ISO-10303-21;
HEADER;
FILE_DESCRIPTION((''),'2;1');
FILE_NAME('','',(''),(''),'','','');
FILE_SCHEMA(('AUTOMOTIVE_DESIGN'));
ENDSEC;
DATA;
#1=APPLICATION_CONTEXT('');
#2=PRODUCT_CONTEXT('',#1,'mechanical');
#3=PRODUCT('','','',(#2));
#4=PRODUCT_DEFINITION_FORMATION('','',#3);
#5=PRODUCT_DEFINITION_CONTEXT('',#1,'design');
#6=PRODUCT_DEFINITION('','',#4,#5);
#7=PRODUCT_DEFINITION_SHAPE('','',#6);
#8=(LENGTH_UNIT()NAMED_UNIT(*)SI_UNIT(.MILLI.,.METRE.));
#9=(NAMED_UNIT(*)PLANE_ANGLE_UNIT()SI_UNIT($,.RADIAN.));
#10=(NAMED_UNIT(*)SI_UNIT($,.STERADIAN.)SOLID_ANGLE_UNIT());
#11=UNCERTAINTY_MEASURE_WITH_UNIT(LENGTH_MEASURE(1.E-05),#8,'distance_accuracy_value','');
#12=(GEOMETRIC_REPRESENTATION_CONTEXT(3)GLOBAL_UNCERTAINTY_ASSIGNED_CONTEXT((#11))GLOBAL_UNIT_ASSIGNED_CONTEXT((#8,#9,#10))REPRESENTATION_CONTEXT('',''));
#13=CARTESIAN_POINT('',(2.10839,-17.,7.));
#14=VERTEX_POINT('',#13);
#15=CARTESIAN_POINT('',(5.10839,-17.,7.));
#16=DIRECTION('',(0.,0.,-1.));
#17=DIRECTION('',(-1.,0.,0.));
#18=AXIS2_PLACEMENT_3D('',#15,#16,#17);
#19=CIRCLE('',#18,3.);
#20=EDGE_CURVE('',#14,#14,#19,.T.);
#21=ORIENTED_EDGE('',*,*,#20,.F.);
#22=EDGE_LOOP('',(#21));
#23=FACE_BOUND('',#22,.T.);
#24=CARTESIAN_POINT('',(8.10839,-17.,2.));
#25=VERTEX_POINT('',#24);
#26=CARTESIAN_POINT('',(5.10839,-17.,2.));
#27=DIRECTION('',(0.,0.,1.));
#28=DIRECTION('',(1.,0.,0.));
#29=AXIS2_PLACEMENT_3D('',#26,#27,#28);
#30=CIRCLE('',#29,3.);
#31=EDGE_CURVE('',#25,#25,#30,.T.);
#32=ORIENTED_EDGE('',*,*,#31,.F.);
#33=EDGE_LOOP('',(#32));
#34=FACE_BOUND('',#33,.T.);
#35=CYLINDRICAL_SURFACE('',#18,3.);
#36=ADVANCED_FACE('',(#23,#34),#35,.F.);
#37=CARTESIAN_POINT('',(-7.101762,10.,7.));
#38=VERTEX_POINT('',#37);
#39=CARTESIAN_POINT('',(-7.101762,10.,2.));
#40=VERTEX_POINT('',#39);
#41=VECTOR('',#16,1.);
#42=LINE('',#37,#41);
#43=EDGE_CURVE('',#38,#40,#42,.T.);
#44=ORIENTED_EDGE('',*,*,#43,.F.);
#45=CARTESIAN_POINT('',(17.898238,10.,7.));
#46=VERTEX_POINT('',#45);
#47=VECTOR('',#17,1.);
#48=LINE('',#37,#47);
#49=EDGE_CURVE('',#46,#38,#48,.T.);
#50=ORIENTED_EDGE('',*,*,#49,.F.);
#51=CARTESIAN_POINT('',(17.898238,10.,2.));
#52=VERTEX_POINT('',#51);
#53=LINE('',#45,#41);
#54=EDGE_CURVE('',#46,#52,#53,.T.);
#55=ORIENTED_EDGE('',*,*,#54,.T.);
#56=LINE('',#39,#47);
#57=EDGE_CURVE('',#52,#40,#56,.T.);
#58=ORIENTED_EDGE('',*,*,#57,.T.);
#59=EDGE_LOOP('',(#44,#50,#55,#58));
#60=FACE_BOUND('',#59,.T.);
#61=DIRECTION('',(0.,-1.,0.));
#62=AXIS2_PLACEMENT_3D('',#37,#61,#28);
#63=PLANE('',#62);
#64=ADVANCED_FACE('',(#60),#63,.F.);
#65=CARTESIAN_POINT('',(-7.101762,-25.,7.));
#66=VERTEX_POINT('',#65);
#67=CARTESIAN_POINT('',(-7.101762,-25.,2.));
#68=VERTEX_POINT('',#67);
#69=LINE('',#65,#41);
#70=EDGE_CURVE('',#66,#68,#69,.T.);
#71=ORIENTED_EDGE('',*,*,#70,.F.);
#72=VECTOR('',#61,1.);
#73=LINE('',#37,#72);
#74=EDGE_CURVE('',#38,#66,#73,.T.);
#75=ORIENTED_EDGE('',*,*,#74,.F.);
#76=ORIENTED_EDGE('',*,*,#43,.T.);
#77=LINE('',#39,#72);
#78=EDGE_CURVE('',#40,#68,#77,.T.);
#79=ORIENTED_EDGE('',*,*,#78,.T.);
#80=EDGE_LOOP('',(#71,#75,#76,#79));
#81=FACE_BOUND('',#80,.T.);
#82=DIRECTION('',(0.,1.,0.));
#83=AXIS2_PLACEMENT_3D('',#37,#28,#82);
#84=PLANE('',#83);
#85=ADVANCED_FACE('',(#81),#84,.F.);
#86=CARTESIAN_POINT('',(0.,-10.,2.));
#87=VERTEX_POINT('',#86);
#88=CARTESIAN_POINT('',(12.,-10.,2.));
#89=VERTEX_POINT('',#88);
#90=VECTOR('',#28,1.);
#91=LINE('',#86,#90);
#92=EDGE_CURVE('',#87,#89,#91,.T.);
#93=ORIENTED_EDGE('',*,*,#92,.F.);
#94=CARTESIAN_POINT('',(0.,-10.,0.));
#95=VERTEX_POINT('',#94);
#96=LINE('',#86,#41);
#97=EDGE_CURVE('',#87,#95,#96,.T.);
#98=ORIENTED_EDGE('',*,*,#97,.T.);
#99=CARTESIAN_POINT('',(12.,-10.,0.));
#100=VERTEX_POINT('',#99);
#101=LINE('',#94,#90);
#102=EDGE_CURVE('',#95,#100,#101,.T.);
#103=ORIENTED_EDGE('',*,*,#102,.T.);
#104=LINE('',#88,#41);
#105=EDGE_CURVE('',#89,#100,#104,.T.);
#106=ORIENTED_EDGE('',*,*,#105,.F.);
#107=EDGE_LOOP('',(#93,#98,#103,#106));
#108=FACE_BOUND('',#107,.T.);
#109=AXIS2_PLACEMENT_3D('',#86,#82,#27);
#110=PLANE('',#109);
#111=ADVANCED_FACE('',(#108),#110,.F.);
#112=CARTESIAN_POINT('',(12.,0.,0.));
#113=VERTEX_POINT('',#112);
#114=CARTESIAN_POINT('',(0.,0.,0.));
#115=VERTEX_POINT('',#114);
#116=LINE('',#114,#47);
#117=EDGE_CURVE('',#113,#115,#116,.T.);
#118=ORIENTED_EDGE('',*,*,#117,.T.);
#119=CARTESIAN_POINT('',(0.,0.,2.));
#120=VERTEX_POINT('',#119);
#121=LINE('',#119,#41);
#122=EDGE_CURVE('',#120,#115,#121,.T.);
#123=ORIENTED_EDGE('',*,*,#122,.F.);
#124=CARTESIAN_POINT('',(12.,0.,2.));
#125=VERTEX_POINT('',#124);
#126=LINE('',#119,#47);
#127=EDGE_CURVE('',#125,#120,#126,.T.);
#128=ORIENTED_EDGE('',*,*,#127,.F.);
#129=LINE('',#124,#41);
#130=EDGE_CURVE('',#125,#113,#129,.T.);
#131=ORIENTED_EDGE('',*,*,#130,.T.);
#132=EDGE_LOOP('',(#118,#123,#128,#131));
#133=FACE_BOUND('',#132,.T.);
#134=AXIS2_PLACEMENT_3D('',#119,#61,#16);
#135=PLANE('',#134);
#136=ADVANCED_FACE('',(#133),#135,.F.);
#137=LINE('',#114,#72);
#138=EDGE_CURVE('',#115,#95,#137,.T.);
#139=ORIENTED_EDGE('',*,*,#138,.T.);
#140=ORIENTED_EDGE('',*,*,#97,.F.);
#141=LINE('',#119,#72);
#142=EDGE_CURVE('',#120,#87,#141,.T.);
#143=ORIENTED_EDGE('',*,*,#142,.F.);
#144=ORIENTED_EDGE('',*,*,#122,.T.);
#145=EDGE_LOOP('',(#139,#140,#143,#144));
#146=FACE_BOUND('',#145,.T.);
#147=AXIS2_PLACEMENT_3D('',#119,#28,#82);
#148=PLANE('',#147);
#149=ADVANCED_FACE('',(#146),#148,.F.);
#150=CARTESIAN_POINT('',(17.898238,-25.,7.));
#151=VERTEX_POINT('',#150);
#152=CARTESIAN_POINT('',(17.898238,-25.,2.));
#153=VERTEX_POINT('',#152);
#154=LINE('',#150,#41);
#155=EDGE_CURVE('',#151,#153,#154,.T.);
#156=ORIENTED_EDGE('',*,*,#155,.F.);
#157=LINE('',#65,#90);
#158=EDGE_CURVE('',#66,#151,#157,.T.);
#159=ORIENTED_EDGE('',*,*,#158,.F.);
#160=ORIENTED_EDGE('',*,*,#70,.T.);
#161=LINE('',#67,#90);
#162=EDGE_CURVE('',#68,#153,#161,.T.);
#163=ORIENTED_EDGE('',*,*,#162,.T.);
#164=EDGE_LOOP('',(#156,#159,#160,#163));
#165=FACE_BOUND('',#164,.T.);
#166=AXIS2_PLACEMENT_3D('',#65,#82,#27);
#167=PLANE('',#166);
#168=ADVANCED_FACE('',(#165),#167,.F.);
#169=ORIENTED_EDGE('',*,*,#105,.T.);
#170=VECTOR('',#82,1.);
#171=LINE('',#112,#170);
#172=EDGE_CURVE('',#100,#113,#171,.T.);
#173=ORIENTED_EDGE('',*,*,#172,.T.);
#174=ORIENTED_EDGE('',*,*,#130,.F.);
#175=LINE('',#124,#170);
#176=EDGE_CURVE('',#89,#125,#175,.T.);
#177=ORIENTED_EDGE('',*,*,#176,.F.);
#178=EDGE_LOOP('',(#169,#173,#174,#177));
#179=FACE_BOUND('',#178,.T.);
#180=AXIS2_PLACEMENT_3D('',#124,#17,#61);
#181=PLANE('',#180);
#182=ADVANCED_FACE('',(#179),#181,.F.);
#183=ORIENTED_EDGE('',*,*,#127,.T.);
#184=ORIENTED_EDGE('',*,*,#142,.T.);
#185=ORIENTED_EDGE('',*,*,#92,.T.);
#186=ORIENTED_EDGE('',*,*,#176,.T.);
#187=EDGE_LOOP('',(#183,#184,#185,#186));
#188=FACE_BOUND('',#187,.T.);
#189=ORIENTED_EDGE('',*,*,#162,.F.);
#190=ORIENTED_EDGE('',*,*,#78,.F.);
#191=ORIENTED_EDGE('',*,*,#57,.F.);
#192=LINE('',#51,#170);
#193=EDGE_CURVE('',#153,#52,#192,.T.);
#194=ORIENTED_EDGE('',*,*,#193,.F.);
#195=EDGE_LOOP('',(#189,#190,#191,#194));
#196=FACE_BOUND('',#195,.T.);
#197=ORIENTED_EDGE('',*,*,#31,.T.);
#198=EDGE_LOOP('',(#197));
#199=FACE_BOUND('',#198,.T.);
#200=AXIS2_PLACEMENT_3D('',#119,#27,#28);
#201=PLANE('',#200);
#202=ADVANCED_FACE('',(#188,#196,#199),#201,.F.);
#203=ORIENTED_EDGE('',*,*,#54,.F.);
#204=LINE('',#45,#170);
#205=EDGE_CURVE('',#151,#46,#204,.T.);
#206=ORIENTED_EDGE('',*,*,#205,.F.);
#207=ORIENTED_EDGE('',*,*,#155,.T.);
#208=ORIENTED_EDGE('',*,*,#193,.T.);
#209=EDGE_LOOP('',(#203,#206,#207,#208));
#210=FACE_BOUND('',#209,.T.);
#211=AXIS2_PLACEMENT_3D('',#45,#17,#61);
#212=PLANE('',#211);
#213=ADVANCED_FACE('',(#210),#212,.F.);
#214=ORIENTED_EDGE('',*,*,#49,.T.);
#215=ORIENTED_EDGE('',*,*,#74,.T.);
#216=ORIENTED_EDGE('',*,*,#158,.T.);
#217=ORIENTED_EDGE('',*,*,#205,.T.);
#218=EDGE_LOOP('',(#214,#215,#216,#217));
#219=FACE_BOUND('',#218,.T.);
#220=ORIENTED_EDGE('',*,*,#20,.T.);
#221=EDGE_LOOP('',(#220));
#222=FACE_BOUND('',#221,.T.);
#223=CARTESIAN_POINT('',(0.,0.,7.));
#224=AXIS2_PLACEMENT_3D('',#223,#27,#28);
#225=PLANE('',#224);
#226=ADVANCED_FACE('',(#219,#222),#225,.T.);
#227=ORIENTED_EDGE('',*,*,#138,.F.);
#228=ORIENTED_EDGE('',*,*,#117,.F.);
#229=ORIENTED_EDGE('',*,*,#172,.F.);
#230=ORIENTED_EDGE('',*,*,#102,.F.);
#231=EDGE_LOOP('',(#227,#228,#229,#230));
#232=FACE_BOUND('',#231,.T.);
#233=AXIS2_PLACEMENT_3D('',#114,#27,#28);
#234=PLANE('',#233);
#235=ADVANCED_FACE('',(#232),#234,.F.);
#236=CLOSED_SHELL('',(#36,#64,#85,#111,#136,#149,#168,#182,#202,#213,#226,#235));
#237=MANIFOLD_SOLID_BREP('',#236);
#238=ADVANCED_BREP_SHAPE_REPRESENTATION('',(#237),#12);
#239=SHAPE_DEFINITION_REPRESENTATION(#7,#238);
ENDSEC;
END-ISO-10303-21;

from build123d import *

# Parameters (mm, degrees)
SKIZZE1_W                            = 12
SKIZZE1_H                            = 10
HALTERUNGSSOCKEL_DEPTH               = 2
SKIZZE2_W                            = 25
SKIZZE2_H                            = 35
AUFSATZ_LINEAR_AUSTRAGEN2_DEPTH      = 5
SCHNITT_LINEAR_AUSTRAGEN1_DEPTH      = 32.533266888
SCHNITT_LINEAR_AUSTRAGEN1_DEPTH_BACK = 32.533266888
SKIZZE3_R                            = 3


with BuildPart() as part:
    # Skizze1 → Halterungssockel (new body)
    with BuildSketch(Plane.XY):
        with Locations((6, -5)):
            Rectangle(SKIZZE1_W, SKIZZE1_H)
    extrude(amount=HALTERUNGSSOCKEL_DEPTH)

    # Skizze2 → Aufsatz-Linear austragen2 (add)
    with BuildSketch(Plane.XY.offset(2)):
        with Locations((5.39823792, -7.5)):
            Rectangle(SKIZZE2_W, SKIZZE2_H)
    extrude(amount=AUFSATZ_LINEAR_AUSTRAGEN2_DEPTH)

    # Skizze3 → Schnitt-Linear austragen1 (cut, two sides: drawn at the far end of the back side and taken through both)
    with BuildSketch(Plane(origin=(0, 0, 0), x_dir=(-1, 0, 0), z_dir=(0, 0, -1)).offset(-SCHNITT_LINEAR_AUSTRAGEN1_DEPTH_BACK)):
        with Locations((-5.108390275, -17)):
            Circle(SKIZZE3_R)
    extrude(amount=SCHNITT_LINEAR_AUSTRAGEN1_DEPTH + SCHNITT_LINEAR_AUSTRAGEN1_DEPTH_BACK, mode=Mode.SUBTRACT)


solid = part.part
